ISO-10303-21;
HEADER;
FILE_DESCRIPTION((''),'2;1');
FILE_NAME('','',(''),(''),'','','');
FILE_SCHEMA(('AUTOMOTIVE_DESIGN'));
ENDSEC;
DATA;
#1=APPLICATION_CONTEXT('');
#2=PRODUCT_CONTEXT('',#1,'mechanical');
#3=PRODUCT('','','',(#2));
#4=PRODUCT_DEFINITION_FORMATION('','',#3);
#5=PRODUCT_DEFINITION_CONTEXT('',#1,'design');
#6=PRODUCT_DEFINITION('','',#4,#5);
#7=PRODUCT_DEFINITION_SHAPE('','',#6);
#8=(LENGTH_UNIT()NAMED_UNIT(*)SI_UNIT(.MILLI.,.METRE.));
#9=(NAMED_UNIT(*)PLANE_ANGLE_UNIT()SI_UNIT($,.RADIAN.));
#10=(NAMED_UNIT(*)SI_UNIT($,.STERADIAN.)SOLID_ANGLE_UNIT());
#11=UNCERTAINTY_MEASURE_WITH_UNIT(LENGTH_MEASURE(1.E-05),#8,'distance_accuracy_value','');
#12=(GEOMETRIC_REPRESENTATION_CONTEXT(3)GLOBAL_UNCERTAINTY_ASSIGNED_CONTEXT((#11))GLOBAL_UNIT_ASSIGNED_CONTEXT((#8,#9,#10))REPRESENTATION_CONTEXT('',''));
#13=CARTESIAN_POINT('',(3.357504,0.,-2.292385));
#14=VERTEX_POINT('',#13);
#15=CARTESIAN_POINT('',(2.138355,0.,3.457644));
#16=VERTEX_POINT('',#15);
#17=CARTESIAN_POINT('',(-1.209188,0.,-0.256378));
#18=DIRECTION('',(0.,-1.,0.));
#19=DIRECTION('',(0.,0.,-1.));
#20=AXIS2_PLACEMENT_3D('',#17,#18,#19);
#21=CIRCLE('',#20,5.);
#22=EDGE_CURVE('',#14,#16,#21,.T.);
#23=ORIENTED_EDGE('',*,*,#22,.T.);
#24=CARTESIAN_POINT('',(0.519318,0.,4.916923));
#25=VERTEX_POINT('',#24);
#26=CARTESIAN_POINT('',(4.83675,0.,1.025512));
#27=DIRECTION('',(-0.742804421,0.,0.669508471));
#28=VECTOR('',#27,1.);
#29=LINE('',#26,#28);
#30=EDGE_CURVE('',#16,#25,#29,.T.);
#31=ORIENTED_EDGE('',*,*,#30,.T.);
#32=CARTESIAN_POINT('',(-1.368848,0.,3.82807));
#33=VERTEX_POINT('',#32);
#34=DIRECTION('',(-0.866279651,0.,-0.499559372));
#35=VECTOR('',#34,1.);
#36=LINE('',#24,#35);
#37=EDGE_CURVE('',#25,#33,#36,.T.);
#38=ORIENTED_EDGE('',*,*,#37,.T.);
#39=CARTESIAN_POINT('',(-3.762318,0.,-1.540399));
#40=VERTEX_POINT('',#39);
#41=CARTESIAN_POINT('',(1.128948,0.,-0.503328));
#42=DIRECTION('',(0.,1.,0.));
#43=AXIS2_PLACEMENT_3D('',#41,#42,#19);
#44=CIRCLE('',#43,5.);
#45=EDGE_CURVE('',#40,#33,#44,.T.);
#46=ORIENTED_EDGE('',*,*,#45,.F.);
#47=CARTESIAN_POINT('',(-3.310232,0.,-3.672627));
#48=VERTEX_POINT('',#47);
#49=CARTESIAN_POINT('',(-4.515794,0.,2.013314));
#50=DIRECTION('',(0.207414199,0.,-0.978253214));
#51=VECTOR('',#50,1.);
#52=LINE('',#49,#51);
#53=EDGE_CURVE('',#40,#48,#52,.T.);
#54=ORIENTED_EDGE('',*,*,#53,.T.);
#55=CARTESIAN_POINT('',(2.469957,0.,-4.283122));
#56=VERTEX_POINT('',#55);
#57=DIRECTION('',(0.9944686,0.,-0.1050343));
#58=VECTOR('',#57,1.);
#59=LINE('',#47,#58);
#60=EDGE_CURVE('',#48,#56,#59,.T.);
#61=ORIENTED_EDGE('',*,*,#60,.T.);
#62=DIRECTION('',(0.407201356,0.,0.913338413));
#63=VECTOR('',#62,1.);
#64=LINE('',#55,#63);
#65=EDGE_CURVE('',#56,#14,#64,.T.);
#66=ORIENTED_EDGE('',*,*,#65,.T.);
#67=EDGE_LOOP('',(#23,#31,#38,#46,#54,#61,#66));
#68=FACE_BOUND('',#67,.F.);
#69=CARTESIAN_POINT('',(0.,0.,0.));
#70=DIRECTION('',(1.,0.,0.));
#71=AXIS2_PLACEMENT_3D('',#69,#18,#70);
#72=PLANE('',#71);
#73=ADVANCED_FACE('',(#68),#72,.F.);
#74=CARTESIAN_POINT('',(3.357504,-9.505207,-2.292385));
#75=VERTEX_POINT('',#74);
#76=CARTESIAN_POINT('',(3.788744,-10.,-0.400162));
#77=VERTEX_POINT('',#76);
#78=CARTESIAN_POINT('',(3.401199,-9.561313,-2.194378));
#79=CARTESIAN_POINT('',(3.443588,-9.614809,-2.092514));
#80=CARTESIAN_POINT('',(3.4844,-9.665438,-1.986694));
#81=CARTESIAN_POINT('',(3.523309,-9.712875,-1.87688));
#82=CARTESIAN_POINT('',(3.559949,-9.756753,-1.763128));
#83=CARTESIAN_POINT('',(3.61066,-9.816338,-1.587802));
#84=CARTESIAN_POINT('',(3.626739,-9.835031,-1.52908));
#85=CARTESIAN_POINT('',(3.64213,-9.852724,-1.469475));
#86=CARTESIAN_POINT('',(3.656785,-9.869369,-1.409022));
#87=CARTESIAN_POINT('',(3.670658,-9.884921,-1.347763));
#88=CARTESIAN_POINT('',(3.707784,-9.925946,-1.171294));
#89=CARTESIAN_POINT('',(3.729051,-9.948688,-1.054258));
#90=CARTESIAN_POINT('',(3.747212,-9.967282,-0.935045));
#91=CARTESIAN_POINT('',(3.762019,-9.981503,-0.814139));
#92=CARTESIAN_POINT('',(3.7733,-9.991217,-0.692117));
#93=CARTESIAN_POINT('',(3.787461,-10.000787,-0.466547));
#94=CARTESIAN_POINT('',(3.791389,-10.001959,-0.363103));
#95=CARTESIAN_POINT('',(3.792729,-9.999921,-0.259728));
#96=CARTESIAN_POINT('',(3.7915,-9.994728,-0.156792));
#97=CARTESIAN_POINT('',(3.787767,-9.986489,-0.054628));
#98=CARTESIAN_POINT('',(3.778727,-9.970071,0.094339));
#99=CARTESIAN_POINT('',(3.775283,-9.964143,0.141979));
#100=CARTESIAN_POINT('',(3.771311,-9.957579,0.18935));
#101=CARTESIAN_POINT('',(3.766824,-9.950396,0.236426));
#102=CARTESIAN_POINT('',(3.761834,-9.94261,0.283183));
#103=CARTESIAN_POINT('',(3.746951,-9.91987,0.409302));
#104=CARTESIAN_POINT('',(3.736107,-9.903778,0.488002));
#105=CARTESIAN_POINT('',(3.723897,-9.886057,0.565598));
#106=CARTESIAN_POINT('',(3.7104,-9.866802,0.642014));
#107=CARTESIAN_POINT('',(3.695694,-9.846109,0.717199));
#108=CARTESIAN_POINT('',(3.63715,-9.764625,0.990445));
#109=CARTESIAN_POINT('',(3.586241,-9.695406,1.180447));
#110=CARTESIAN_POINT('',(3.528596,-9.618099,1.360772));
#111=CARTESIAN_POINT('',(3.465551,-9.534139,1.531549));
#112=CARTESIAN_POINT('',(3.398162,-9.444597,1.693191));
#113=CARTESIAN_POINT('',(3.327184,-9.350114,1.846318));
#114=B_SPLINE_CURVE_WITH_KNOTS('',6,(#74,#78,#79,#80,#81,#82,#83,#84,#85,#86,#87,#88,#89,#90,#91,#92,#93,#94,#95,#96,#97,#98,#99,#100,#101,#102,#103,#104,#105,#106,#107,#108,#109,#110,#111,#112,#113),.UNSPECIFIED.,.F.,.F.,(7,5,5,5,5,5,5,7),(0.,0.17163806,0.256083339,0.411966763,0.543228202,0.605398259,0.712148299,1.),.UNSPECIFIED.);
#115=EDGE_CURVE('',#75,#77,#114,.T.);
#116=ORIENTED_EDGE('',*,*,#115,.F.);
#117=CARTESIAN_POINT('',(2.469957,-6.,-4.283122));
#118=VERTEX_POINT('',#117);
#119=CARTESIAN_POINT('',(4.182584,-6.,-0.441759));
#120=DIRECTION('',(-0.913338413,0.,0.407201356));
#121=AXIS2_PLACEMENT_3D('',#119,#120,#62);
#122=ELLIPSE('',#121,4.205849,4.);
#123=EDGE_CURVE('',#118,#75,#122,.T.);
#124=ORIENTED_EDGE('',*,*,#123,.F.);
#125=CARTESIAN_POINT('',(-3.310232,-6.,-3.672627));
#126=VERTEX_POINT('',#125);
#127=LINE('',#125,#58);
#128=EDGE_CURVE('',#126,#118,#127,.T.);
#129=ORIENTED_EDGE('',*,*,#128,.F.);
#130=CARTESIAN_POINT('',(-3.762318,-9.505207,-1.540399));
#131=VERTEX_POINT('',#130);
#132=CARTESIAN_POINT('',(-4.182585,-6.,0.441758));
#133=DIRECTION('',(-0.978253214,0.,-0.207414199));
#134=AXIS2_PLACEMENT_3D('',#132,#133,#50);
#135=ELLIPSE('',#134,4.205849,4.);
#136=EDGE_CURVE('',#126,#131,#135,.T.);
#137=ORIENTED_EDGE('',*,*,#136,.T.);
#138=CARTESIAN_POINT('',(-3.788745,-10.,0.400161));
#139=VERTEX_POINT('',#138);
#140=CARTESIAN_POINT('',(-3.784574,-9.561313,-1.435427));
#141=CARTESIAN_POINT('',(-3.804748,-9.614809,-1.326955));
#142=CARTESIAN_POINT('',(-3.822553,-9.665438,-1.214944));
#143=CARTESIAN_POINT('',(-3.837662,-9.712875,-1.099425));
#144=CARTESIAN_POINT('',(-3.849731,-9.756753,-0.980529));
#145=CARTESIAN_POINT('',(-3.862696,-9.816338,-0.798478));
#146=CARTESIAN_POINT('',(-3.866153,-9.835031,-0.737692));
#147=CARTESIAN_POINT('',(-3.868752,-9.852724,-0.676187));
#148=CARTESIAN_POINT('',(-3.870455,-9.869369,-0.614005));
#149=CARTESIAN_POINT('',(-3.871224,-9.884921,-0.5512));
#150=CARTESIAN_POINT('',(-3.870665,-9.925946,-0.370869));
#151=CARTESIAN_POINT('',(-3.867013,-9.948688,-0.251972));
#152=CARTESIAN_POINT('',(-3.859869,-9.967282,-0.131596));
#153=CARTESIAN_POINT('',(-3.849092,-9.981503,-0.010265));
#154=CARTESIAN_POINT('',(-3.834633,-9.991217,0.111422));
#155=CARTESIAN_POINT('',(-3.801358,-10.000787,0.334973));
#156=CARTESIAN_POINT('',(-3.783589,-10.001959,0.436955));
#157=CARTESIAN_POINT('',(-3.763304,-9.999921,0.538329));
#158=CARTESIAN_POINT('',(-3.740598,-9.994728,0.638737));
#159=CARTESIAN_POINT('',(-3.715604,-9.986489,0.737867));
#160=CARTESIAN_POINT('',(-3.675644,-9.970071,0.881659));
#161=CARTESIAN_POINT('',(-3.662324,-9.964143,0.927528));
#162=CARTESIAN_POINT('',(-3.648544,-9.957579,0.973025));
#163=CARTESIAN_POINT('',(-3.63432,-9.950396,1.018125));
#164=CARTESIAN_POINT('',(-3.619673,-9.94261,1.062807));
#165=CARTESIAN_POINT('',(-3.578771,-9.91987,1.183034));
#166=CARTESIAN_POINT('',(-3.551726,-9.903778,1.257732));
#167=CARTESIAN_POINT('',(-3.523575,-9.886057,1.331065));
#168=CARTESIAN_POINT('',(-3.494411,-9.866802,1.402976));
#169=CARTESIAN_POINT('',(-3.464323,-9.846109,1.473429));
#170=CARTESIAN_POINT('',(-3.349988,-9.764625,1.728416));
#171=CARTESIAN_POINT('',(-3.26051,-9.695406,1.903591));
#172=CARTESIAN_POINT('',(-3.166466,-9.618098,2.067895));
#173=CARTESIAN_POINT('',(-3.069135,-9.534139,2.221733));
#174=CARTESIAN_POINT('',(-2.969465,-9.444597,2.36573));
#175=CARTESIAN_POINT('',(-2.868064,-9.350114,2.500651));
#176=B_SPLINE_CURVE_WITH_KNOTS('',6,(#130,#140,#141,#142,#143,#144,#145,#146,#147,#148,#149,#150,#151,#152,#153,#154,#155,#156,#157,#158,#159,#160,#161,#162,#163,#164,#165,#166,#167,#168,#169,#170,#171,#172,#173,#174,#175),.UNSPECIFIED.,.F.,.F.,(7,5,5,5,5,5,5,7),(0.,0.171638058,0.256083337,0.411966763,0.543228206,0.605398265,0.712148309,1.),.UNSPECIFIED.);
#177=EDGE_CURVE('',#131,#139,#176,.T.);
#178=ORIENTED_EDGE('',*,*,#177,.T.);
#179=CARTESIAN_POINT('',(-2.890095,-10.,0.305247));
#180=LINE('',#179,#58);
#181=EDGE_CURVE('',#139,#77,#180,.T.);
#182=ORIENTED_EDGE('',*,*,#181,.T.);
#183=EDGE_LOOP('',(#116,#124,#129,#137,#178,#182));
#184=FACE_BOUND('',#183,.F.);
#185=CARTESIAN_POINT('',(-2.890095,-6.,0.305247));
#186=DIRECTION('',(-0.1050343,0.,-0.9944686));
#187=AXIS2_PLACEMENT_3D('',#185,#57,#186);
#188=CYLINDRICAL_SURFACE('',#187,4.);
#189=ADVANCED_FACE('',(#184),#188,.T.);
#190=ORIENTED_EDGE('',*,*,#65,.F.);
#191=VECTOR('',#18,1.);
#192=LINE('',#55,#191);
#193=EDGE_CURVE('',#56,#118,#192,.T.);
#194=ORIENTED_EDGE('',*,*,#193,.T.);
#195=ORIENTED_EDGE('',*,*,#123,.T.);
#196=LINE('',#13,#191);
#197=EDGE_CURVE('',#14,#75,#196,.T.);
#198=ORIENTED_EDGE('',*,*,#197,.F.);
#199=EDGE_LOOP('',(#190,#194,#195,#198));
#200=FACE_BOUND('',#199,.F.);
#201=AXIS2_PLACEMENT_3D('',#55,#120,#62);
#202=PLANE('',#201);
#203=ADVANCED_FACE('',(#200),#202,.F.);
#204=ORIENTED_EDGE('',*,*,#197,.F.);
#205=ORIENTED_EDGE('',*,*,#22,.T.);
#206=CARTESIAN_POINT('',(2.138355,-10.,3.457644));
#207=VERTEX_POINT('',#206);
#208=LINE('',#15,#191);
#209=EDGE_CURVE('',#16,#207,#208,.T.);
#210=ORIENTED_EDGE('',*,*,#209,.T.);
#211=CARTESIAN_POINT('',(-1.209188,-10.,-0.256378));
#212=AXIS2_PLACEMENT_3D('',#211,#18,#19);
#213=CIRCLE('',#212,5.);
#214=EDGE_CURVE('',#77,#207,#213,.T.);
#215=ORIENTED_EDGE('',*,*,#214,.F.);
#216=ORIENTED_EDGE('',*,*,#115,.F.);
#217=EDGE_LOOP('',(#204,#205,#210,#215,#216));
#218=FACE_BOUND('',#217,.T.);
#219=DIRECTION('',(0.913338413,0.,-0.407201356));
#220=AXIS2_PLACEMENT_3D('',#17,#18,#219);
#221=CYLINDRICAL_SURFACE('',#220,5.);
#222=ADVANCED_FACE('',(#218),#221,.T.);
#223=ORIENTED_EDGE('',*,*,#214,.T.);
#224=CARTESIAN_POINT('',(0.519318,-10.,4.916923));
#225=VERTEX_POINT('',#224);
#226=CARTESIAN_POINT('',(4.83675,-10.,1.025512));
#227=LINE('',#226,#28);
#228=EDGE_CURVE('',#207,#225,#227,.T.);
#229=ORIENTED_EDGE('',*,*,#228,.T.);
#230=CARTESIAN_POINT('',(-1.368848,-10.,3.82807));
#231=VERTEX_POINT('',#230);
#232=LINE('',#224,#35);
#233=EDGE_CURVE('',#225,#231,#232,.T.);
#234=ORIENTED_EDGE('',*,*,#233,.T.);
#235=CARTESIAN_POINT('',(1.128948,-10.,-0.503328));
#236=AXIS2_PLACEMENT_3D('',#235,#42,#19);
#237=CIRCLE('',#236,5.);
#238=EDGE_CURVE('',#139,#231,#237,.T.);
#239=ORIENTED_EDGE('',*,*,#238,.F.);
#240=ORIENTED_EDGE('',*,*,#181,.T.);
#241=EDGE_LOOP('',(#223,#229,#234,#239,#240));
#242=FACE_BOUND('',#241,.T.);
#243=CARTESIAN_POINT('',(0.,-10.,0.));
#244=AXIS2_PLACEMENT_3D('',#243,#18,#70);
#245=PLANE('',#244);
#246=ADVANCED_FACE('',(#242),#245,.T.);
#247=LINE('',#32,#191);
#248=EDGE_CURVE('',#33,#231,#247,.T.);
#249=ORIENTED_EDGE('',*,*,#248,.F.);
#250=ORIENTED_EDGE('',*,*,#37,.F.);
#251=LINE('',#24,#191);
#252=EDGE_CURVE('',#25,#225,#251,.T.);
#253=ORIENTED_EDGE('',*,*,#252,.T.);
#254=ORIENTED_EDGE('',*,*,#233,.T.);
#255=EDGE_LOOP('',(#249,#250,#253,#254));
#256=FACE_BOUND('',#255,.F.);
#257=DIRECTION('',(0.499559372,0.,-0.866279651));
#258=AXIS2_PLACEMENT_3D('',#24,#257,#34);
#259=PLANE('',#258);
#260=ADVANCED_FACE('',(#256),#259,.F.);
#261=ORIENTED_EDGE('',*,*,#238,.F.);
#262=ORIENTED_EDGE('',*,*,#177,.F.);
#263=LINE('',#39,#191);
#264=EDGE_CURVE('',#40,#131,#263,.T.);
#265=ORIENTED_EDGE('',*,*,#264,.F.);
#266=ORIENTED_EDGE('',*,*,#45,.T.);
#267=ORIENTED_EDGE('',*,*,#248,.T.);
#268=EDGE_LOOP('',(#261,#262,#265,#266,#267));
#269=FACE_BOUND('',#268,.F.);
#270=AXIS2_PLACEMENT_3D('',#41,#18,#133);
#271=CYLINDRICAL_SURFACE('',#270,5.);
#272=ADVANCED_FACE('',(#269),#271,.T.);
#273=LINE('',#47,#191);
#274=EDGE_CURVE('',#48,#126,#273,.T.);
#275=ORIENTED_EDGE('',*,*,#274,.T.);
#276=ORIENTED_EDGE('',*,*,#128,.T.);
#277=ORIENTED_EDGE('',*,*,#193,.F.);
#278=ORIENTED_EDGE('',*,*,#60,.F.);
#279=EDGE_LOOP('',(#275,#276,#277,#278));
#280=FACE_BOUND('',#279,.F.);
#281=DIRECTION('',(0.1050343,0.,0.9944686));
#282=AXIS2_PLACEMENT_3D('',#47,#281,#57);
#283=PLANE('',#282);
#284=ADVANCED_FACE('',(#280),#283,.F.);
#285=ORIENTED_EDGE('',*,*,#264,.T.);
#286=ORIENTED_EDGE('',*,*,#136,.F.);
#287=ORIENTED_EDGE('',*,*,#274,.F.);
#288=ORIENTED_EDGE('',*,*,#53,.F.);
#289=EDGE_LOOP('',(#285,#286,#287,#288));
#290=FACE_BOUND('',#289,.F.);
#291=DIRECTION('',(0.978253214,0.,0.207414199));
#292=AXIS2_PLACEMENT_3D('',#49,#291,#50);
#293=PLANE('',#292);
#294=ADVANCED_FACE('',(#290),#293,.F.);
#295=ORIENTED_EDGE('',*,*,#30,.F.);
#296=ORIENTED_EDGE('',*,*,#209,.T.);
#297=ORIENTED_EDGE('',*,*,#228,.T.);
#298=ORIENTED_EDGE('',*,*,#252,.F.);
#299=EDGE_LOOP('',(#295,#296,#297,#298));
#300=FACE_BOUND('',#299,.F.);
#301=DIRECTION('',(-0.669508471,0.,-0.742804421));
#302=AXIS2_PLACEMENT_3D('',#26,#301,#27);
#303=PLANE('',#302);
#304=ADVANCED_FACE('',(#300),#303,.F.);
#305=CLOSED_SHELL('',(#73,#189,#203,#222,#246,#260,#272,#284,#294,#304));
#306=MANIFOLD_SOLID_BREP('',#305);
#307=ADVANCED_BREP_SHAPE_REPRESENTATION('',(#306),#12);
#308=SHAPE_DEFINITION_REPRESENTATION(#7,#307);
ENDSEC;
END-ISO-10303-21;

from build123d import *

# Parameters (mm, degrees)
F1_DEPTH = 10
F2_R     = 4
F3_R     = 5
F4_R     = 5


with BuildPart() as f1:
    # F0 (on Front) → F1 (new body)
    with BuildSketch(Plane.XZ):
        Polygon((4.83675, 1.025512), (0.519318, 4.916923), (-4.515794, 2.013314), (-3.310232, -3.672627), (2.469957, -4.283122), align=None)
    extrude(amount=F1_DEPTH)

    # F2
    f2_edges = [f1.edges().sort_by_distance(p)[0] for p in [
        (-0.420137, -10, -3.977874),
    ]]
    fillet(f2_edges, radius=F2_R)

    # F3
    f3_edges = [f1.edges().sort_by_distance(p)[0] for p in [
        (4.83675, -5, 1.025512),
    ]]
    fillet(f3_edges, radius=F3_R)

    # F4
    f4_edges = [f1.edges().sort_by_distance(p)[0] for p in [
        (-4.515794, -5, 2.013314),
    ]]
    fillet(f4_edges, radius=F4_R)


solid = f1.part
